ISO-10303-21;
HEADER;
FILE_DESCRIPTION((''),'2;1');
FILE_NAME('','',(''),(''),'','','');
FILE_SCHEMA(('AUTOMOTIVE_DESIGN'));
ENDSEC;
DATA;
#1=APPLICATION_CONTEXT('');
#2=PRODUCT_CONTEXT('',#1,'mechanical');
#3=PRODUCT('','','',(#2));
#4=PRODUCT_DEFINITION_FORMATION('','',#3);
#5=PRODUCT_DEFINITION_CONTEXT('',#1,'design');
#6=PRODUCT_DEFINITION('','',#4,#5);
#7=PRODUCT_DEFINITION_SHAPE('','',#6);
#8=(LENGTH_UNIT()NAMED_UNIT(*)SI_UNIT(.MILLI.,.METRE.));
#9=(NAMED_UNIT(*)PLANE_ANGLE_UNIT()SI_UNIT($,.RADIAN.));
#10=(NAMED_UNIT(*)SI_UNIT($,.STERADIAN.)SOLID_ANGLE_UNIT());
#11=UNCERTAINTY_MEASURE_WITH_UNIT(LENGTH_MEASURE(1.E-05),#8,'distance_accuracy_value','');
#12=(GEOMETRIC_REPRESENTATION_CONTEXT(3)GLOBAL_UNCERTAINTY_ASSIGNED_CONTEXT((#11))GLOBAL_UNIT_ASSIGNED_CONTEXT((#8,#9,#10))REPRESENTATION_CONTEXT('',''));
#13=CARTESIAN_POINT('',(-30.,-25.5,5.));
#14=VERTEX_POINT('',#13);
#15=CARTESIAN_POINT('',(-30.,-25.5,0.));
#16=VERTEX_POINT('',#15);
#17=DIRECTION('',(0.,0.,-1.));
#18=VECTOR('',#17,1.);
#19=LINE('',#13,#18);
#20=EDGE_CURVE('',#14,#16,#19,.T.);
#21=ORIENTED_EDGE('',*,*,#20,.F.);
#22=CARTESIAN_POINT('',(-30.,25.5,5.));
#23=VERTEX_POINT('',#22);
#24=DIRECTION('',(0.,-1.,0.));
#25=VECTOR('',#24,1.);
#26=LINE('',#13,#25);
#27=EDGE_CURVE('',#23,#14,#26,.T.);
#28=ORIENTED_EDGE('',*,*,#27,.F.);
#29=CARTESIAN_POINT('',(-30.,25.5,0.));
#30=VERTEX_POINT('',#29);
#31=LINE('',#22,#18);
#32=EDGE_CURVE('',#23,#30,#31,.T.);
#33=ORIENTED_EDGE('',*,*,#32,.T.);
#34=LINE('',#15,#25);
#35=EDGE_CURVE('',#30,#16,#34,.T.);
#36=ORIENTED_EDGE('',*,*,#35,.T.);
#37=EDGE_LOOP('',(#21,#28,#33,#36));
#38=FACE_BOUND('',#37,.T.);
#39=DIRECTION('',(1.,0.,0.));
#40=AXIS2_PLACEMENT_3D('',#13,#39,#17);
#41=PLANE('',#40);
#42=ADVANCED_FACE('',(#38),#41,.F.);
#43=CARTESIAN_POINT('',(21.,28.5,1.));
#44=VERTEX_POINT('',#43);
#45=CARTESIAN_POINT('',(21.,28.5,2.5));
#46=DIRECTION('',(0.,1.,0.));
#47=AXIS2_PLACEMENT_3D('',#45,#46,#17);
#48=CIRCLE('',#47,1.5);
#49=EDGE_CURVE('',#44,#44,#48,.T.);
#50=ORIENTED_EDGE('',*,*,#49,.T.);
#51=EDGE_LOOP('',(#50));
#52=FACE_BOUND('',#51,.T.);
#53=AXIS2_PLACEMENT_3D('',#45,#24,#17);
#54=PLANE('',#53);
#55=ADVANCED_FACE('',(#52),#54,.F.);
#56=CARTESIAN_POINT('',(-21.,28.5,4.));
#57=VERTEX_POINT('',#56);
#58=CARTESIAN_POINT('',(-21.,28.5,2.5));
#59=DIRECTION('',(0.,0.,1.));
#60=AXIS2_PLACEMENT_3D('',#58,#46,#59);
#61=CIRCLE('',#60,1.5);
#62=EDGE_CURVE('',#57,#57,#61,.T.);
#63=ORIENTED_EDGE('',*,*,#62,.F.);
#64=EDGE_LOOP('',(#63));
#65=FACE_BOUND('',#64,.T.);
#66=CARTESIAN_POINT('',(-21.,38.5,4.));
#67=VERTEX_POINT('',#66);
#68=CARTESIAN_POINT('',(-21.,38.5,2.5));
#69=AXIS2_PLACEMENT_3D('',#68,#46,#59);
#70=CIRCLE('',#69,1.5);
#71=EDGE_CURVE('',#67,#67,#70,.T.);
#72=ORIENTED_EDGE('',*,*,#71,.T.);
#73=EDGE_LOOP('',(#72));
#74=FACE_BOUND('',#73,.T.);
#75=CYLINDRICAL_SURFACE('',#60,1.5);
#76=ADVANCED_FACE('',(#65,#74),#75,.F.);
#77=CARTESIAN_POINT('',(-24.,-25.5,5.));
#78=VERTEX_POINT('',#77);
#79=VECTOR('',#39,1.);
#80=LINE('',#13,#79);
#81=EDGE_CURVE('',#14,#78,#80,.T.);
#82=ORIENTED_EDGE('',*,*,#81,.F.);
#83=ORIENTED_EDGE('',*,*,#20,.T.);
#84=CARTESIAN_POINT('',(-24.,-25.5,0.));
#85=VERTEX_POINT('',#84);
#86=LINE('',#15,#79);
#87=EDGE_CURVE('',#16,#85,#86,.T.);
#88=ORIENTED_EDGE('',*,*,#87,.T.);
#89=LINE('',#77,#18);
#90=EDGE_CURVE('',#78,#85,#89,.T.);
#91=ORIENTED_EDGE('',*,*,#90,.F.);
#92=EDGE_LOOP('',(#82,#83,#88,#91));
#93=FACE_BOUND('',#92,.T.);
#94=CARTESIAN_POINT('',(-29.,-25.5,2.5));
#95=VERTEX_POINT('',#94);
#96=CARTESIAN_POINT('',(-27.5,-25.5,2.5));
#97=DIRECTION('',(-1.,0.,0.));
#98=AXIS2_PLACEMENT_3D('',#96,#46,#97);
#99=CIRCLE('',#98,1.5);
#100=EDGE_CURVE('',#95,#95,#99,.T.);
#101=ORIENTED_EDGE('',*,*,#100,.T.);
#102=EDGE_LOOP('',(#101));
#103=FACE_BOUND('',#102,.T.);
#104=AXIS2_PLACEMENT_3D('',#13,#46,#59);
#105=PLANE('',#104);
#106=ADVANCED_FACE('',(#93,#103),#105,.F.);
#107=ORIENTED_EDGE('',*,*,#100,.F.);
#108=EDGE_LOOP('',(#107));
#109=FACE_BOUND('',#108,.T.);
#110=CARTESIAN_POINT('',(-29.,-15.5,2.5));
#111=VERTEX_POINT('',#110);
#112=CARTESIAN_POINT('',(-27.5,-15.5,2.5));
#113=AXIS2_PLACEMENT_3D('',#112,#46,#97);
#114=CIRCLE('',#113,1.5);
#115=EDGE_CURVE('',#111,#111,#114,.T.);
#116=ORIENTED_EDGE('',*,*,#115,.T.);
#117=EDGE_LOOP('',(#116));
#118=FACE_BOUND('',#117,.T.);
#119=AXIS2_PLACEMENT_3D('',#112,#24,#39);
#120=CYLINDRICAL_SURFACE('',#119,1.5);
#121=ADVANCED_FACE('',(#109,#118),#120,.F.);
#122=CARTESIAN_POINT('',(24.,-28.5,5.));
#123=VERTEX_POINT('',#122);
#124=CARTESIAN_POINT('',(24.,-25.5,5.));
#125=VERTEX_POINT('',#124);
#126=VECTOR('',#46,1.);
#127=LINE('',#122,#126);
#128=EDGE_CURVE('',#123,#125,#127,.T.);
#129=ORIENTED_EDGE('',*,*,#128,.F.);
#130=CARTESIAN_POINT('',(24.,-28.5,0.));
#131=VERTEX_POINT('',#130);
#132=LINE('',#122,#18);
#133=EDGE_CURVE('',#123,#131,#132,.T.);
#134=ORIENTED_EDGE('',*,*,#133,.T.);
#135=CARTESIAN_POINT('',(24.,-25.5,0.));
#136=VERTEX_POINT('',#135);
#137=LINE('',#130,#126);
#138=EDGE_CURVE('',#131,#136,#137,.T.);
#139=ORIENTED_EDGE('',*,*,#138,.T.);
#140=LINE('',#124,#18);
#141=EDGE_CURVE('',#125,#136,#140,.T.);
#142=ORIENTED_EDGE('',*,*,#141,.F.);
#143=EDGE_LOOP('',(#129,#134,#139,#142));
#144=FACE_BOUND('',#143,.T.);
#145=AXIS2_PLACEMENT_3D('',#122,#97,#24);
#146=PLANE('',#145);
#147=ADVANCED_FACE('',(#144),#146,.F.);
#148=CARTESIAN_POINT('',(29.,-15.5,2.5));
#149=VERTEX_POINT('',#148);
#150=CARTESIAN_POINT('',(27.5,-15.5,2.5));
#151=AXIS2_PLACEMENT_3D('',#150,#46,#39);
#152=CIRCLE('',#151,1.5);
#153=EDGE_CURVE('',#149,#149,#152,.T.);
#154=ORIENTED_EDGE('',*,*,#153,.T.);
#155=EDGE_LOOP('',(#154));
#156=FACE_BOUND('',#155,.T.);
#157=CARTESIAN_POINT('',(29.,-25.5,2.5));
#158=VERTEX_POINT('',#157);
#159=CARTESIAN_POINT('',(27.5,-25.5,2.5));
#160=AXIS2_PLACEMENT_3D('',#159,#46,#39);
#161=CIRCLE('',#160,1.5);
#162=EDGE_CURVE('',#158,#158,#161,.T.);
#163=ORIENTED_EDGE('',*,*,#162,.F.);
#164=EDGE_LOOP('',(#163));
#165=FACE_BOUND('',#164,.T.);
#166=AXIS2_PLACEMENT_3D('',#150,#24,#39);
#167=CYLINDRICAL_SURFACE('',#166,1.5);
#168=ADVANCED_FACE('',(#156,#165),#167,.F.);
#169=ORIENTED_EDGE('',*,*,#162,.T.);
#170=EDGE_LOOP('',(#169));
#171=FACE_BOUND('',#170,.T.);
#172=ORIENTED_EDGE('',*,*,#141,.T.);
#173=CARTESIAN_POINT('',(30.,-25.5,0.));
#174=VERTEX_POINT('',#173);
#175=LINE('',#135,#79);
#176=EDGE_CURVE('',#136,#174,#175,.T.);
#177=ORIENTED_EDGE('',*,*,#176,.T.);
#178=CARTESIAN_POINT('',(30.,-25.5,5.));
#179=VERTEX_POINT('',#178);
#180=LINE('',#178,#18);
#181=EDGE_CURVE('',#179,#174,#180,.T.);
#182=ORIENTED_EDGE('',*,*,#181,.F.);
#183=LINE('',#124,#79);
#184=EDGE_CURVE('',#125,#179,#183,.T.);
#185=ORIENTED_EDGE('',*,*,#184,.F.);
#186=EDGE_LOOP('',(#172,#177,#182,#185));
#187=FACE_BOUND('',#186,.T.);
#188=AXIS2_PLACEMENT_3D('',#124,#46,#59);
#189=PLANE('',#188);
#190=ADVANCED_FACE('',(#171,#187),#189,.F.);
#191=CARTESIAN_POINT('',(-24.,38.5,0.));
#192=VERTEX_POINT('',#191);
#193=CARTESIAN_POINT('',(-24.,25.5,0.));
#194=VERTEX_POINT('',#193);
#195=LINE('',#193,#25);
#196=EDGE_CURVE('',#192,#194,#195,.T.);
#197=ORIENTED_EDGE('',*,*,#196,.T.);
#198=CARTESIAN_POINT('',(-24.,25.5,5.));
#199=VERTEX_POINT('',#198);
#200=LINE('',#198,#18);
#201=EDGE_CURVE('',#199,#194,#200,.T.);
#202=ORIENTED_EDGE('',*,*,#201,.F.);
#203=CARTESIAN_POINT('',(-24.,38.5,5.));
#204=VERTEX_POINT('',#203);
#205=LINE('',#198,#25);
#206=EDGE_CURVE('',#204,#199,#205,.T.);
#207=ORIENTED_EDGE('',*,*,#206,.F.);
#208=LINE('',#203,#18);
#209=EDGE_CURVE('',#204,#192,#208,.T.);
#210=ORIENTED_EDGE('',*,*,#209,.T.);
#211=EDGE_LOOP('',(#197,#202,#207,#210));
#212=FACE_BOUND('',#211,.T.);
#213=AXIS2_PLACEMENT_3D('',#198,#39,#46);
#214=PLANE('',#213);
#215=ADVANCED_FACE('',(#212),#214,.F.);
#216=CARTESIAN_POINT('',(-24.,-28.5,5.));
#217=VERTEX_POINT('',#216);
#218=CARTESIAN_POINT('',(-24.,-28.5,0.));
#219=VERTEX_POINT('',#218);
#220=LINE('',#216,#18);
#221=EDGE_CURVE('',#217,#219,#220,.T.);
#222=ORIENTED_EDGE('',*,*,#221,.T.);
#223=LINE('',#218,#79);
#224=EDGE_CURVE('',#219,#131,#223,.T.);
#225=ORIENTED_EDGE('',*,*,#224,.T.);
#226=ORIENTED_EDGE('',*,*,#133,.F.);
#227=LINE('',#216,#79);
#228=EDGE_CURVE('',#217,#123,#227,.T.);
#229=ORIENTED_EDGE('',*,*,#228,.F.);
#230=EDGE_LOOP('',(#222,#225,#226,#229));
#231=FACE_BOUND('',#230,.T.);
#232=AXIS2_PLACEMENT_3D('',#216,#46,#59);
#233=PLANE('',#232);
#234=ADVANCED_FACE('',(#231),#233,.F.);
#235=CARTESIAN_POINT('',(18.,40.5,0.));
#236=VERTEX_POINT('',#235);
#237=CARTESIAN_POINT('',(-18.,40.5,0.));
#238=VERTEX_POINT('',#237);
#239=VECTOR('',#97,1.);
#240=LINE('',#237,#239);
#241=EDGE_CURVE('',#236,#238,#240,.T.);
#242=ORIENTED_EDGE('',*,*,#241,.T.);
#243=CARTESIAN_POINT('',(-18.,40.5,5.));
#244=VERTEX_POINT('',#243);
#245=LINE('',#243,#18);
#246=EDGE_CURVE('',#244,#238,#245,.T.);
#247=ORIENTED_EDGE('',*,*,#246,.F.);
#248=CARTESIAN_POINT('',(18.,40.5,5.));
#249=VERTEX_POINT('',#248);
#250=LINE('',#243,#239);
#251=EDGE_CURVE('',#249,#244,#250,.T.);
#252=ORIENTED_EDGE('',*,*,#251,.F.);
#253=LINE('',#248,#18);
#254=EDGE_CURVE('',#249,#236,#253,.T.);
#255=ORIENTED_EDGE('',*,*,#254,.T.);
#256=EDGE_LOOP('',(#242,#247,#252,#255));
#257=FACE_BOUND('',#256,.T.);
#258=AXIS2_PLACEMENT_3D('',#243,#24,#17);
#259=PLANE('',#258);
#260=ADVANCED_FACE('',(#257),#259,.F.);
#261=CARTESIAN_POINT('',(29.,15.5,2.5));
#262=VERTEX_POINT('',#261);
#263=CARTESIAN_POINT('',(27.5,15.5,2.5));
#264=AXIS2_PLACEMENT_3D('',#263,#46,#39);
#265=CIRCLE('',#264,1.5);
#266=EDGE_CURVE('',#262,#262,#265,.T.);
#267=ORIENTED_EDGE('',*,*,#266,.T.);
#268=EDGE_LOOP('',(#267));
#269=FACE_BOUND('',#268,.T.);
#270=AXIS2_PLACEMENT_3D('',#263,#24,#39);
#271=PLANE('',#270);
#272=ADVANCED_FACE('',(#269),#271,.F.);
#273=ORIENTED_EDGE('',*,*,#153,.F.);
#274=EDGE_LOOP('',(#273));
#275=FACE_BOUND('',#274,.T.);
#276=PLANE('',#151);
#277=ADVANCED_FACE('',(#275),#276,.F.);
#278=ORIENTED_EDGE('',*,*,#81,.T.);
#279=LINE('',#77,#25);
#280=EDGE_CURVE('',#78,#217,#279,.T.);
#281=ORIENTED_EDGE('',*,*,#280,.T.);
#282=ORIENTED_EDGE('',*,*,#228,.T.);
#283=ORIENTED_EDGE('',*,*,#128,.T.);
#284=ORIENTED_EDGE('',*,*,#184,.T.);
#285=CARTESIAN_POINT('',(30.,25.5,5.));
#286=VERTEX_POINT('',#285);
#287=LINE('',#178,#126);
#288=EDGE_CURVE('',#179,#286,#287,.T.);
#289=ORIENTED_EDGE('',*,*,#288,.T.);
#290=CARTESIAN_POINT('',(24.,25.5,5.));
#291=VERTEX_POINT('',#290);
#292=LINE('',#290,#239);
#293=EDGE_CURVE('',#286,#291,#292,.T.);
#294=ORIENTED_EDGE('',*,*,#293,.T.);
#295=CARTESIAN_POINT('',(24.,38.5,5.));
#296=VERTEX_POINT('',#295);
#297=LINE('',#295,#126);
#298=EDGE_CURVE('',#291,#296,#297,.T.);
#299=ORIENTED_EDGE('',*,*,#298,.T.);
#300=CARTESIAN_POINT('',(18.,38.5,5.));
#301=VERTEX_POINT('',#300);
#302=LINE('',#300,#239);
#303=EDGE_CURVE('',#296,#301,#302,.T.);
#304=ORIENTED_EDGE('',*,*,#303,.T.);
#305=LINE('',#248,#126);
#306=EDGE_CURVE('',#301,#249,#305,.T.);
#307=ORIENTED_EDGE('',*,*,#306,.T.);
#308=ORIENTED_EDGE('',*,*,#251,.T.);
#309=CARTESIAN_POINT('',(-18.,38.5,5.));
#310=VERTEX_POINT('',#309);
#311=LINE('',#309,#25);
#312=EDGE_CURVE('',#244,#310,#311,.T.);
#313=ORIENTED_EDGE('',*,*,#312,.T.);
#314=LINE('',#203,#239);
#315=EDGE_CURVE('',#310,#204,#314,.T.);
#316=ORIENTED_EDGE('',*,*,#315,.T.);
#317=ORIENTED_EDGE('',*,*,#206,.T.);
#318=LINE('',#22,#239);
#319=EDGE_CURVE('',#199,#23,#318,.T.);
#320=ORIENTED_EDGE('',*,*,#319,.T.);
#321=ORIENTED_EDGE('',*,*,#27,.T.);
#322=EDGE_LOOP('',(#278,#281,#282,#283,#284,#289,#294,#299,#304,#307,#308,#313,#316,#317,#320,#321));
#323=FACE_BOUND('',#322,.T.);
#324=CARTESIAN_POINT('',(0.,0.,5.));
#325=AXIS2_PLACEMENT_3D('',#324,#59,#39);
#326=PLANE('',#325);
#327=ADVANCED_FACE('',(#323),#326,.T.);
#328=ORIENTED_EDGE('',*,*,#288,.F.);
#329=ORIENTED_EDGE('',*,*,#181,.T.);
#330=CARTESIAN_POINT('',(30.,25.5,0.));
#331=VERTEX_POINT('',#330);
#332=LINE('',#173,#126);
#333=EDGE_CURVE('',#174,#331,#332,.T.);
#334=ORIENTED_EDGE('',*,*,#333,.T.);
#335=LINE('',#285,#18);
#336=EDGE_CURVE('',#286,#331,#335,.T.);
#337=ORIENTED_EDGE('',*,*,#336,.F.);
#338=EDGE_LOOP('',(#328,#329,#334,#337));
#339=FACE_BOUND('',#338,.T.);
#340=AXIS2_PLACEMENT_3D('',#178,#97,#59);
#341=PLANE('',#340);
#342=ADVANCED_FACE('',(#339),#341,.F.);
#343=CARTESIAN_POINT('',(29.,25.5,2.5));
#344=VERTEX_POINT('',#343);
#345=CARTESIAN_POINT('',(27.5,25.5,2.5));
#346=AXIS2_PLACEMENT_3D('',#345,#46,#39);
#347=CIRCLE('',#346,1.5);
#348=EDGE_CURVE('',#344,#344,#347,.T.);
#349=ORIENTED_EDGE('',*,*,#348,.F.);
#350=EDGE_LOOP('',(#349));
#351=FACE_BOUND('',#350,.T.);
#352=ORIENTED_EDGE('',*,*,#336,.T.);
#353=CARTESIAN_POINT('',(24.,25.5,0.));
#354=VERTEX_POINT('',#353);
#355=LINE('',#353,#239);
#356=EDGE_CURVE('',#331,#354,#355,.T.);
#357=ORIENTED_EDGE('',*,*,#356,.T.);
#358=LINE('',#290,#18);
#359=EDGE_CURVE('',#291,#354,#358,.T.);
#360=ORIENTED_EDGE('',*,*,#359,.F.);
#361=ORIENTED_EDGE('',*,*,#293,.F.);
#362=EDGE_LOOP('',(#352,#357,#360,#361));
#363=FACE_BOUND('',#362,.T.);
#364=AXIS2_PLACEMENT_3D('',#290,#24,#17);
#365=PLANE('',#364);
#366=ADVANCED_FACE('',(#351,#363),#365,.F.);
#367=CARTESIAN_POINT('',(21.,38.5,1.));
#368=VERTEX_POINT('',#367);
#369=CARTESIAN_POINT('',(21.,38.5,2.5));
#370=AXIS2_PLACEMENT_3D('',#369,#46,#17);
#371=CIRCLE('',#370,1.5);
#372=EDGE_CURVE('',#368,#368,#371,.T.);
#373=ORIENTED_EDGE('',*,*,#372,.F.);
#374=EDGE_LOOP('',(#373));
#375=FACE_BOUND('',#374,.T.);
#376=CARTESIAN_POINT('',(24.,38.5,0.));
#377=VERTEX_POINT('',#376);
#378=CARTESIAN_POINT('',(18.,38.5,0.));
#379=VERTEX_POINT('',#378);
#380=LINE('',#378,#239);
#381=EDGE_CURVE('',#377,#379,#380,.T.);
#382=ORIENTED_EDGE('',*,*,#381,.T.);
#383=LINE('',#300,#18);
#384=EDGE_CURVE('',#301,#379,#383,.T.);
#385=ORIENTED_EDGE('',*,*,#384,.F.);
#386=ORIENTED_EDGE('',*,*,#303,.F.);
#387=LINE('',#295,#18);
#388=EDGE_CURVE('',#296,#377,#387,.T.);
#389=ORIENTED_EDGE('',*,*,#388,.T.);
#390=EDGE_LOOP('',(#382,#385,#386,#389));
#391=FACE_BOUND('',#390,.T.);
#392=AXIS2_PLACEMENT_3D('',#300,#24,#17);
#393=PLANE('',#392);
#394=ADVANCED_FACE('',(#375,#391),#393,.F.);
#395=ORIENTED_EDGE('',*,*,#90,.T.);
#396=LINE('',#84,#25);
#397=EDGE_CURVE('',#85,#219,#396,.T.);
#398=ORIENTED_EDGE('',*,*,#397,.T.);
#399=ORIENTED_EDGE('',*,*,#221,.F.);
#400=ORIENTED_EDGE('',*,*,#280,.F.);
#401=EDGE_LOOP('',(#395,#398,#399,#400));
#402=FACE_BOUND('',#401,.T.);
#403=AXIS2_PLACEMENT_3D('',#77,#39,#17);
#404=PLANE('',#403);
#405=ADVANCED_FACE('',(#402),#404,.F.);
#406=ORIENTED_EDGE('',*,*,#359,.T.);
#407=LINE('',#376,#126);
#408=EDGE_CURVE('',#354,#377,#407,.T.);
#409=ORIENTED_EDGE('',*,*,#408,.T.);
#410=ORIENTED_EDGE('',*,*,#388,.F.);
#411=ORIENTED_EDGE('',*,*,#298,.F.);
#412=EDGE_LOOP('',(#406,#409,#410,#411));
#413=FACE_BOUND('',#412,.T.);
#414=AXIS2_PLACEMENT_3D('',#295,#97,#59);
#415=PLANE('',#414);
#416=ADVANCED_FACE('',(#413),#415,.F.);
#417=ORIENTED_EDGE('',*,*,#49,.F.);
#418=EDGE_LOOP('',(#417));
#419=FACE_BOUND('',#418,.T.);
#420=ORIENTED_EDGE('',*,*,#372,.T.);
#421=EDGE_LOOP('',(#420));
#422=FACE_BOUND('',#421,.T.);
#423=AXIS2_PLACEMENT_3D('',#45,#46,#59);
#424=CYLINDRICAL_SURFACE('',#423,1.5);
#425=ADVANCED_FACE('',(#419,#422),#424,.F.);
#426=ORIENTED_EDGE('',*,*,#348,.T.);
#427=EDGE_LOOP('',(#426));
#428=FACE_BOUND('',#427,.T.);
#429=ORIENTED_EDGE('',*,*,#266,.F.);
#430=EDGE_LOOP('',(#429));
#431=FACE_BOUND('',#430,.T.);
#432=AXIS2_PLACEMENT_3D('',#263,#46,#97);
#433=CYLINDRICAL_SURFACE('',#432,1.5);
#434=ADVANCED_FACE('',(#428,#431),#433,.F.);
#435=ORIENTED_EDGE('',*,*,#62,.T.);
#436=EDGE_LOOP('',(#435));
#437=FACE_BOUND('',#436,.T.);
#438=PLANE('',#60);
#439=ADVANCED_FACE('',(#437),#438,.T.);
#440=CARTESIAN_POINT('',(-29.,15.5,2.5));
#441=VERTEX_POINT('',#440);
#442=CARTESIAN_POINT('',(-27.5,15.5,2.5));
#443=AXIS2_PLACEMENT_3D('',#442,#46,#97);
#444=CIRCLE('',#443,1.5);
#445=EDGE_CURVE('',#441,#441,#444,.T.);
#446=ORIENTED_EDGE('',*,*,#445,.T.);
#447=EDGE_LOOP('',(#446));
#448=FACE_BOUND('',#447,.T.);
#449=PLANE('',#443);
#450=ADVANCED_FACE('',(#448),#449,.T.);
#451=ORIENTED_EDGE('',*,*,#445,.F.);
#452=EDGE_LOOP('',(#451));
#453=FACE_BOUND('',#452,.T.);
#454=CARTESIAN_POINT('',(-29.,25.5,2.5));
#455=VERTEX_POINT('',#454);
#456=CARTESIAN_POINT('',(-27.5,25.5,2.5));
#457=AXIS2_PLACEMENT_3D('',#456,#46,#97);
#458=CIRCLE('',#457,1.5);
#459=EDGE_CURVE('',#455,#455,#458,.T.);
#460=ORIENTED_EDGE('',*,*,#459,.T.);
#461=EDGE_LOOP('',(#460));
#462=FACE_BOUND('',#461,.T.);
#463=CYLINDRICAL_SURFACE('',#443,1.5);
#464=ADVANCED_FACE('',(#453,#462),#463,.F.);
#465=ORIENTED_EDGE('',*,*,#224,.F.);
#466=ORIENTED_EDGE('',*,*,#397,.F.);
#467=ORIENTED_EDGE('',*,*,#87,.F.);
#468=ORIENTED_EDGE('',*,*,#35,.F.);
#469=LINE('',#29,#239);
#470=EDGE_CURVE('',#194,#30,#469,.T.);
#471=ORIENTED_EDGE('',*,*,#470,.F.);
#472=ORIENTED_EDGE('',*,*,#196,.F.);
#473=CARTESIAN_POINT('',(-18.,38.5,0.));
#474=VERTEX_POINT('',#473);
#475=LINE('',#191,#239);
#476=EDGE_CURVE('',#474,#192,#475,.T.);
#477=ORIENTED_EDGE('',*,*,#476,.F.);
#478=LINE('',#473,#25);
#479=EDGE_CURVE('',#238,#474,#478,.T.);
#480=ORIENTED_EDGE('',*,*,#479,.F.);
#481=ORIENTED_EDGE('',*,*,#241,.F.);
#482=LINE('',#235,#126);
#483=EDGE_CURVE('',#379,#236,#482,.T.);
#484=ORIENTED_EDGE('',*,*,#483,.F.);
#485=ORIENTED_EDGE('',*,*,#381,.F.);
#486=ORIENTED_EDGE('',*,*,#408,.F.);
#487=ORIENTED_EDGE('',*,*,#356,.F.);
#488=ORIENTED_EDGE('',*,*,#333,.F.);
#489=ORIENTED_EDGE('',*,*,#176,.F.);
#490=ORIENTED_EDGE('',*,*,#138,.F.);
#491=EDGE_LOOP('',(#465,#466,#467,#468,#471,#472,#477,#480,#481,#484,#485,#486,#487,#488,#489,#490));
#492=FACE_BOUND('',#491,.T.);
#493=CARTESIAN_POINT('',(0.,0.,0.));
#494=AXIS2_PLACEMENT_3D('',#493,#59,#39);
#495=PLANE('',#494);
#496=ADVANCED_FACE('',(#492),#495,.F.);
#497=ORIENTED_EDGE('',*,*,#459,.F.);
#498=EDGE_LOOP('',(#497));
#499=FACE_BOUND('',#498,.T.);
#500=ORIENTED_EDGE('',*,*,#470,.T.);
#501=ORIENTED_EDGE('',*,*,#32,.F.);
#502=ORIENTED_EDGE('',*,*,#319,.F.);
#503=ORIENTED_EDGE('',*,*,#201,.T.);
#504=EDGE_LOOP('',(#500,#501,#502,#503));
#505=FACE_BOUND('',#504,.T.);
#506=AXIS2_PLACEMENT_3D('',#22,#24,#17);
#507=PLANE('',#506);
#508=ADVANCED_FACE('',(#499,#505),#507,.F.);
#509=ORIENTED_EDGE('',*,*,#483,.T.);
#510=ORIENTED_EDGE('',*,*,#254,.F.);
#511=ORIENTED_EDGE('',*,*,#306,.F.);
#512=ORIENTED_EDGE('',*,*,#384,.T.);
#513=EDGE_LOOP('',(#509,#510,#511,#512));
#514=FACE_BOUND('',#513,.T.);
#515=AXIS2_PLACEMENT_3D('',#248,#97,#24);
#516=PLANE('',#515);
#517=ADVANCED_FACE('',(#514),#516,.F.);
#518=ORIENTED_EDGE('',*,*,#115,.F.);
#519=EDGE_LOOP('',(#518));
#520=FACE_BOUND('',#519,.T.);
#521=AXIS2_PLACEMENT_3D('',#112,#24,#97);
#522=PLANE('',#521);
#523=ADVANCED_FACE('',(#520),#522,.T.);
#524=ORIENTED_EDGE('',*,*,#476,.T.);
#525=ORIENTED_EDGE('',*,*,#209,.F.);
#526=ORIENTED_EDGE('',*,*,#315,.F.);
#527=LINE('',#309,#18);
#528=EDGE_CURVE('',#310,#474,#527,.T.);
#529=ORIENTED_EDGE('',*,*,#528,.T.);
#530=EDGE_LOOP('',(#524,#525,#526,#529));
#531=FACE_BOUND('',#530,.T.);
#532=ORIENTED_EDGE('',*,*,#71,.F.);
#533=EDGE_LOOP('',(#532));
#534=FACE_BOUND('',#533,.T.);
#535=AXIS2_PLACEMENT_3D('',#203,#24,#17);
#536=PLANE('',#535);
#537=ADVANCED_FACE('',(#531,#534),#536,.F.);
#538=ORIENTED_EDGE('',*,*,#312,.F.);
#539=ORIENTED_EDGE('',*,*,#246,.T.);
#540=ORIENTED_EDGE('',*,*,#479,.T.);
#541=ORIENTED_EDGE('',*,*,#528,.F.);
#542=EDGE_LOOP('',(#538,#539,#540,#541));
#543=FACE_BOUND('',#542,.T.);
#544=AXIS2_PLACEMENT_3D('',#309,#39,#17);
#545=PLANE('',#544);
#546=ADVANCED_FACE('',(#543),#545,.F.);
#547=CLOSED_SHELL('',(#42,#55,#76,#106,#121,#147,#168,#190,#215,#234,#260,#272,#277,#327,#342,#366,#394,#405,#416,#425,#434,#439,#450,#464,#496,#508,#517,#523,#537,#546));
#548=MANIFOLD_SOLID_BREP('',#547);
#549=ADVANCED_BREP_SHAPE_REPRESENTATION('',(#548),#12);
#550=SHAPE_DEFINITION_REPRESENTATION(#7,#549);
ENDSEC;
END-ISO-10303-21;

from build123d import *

# Parameters (mm, degrees)
EXTRUDE_1_DEPTH     = 5
SKETCH_2_R          = 1.5
CUT_EXTRUDE_1_DEPTH = 10
SKETCH_3_R          = 1.5
CUT_EXTRUDE_2_DEPTH = 10


with BuildPart() as part:
    # ｽｹｯﾁ1 → ﾎﾞｽ - 押し出し1 (new body)
    with BuildSketch(Plane.XY):
        Polygon((30, -25.5), (30, 25.5), (24, 25.5), (24, 38.5), (18, 38.5), (18, 40.5), (-18, 40.5), (-18, 38.5), (-24, 38.5), (-24, 25.5), (-30, 25.5), (-30, -25.5), (-24, -25.5), (-24, -28.5), (24, -28.5), (24, -25.5), align=None)
    extrude(amount=EXTRUDE_1_DEPTH)

    # ｽｹｯﾁ2 → ｶｯﾄ - 押し出し1 (cut)
    with BuildSketch(Plane(origin=(0, 25.5, 0), x_dir=(1, 0, 0), z_dir=(0, 1, 0))):
        with Locations(Location((-27.5, -2.5, 0), (0, 0, 180))):
            Circle(SKETCH_2_R)
        with Locations((27.5, -2.5)):
            Circle(SKETCH_2_R)
    cut_extrude_1 = extrude(amount=-CUT_EXTRUDE_1_DEPTH, mode=Mode.SUBTRACT)

    # ﾐﾗｰ1: ｶｯﾄ - 押し出し1 across plane
    add(cut_extrude_1.mirror(Plane.ZX), mode=Mode.SUBTRACT)

    # ｽｹｯﾁ3 → ｶｯﾄ - 押し出し2 (cut)
    with BuildSketch(Plane(origin=(0, 38.5, 0), x_dir=(1, 0, 0), z_dir=(0, 1, 0))):
        with Locations(Location((-21, -2.5, 0), (0, 0, 270))):
            Circle(SKETCH_3_R)
        with Locations(Location((21, -2.5, 0), (0, 0, 90))):
            Circle(SKETCH_3_R)
    extrude(amount=-CUT_EXTRUDE_2_DEPTH, mode=Mode.SUBTRACT)


solid = part.part
